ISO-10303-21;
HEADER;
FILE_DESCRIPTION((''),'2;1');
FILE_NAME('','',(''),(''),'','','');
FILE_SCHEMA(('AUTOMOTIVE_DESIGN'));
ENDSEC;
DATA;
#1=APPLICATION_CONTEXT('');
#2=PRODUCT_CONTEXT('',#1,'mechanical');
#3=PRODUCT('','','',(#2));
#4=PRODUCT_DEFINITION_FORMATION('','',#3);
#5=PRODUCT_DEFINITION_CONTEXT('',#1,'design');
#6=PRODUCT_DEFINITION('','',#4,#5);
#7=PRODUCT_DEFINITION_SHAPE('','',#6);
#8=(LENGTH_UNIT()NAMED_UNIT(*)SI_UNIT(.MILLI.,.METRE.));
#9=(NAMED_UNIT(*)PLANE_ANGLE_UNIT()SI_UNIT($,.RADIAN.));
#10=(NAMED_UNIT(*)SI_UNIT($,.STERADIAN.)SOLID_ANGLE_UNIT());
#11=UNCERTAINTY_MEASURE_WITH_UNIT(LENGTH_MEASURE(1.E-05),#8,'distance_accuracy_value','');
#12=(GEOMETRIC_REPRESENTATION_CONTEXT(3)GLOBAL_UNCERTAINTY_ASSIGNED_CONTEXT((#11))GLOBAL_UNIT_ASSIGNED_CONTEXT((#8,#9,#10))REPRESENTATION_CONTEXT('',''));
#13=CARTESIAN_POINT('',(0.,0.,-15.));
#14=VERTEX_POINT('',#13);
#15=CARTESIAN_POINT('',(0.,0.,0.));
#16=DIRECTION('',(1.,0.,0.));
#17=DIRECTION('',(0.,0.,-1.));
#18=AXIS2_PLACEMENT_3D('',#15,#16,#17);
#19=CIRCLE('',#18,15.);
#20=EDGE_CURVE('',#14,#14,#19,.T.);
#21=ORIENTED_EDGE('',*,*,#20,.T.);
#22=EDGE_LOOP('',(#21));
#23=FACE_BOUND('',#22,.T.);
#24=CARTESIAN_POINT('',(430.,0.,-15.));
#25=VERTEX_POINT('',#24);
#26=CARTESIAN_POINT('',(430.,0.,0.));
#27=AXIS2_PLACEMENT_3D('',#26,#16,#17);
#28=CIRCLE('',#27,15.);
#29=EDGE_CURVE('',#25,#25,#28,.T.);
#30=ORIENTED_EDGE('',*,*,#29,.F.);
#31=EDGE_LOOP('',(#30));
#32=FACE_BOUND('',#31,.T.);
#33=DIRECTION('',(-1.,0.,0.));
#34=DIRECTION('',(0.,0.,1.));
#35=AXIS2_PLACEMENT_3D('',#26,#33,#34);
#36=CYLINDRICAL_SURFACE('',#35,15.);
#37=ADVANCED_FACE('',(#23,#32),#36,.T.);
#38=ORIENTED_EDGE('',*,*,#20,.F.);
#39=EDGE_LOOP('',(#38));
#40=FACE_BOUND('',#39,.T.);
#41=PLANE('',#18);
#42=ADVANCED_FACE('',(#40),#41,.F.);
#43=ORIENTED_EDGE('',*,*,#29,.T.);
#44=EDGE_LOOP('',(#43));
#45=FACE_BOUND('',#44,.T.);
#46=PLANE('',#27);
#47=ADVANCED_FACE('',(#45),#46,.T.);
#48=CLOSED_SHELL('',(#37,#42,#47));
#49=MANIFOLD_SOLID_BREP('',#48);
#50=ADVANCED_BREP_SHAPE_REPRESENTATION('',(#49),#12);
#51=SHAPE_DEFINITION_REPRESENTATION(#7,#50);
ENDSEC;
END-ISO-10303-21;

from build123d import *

# Parameters (mm, degrees)
ESQUISSE1_R        = 15
BOSS_EXTRU_1_DEPTH = 430


with BuildPart() as part:
    # Esquisse1 → Boss.-Extru.1 (new body)
    with BuildSketch(Plane(origin=(0, 0, 0), x_dir=(0, 0, -1), z_dir=(1, 0, 0))):
        Circle(ESQUISSE1_R)
    extrude(amount=BOSS_EXTRU_1_DEPTH)


solid = part.part
